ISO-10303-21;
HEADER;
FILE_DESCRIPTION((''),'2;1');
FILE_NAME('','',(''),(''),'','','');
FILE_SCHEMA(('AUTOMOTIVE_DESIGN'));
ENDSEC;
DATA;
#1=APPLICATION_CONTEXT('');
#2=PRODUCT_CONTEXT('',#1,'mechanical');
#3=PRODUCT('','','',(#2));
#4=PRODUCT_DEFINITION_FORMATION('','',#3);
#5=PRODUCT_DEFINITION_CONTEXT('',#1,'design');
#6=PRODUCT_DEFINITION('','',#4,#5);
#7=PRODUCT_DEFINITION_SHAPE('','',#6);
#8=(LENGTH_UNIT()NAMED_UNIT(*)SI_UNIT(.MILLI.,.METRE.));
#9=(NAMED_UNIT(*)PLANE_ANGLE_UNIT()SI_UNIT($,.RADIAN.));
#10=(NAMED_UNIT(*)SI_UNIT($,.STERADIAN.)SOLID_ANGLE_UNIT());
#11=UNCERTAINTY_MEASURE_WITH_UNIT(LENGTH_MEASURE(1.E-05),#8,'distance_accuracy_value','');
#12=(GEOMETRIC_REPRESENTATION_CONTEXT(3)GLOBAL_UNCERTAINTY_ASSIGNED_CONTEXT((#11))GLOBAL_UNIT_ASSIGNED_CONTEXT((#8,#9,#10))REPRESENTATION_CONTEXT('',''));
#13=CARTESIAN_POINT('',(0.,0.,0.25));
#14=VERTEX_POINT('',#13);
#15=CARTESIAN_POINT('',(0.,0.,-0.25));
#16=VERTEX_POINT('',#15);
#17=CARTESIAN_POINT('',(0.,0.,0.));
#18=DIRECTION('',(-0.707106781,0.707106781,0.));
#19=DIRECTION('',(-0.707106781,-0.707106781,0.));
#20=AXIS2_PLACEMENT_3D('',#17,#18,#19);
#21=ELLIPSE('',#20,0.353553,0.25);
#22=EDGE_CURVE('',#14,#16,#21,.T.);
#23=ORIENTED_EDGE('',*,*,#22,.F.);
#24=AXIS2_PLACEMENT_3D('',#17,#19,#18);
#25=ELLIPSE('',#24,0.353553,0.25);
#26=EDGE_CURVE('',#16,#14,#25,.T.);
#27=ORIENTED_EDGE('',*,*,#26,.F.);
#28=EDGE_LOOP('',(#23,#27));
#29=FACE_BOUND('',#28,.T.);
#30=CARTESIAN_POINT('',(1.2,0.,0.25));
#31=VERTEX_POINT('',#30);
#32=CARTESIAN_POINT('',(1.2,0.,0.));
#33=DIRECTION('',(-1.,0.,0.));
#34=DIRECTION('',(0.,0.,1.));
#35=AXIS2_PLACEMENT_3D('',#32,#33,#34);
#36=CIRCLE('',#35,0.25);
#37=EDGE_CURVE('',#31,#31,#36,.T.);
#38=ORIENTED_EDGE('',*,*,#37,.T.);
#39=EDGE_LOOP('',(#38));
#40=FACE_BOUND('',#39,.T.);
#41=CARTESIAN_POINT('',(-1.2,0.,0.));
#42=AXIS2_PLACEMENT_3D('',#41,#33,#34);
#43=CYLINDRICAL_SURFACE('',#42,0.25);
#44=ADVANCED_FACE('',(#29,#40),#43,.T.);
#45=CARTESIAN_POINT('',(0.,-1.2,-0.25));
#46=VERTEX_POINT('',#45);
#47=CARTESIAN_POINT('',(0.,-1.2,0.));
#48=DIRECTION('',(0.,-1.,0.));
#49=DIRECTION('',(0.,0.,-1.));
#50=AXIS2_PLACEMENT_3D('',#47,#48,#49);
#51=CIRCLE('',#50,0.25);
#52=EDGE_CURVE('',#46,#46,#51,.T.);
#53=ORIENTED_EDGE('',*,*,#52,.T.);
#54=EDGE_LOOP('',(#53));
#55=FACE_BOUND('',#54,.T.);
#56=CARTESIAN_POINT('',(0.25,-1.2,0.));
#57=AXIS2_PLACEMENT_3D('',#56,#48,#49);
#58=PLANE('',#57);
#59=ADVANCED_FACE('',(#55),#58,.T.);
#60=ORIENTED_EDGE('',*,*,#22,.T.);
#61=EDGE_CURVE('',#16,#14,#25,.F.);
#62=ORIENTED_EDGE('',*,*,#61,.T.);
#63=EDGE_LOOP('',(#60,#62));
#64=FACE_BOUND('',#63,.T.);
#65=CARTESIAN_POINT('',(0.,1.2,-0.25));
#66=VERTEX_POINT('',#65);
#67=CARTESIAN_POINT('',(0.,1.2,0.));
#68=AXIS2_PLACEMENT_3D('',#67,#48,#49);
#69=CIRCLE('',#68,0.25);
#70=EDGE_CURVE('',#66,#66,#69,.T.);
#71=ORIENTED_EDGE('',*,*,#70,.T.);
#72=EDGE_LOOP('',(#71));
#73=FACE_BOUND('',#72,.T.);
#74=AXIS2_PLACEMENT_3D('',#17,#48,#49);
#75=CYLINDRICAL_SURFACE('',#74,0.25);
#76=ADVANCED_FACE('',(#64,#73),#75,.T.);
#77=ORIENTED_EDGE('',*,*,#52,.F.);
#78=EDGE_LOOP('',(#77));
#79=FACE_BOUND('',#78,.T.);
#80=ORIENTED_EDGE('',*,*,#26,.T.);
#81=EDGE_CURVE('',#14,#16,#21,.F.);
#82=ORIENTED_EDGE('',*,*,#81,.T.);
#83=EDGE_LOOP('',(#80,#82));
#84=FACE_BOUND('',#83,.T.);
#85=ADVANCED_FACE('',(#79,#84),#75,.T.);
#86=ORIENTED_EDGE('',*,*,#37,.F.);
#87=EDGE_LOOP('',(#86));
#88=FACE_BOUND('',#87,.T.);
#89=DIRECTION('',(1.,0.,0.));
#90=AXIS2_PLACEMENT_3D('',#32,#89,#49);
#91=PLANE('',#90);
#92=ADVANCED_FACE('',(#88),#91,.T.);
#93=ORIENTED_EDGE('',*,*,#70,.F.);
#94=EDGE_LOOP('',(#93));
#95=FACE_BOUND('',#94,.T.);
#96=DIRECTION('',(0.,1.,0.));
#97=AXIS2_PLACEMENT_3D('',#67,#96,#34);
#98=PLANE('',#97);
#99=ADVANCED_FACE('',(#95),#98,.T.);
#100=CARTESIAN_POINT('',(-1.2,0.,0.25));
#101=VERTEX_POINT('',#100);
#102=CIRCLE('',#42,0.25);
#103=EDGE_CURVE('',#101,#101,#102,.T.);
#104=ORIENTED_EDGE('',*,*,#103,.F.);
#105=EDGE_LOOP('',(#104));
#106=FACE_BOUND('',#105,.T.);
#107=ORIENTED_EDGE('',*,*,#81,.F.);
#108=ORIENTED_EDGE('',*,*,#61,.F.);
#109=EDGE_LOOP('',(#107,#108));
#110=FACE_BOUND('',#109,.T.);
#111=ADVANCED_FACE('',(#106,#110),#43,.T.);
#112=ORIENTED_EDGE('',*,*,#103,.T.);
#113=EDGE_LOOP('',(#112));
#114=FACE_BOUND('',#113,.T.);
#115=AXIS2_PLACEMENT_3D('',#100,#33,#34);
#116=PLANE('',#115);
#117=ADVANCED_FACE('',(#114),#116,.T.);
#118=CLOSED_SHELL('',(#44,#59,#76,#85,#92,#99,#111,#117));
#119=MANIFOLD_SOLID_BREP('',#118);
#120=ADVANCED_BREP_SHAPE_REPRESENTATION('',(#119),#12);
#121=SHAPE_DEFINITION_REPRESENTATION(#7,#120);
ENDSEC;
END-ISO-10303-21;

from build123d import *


with BuildPart() as part:
    # 草图4 → 旋转5 (revolve)
    with BuildSketch(Plane(origin=(0, 0, 0), x_dir=(1, 0, 0), z_dir=(0, 1, 0))):
        Polygon((0, 0), (1.2, 0), (1.2, -0.25), (-1.2, -0.25), (-1.2, 0), align=None)
    revolve(axis=Axis((-1.2, 0, 0), (1, 0, 0)))

    # 草图5 → 旋转6 (revolve)
    with BuildSketch(Plane.XY):
        Polygon((0, 0), (0, 1.2), (0.25, 1.2), (0.25, -1.2), (0, -1.2), align=None)
    revolve(axis=Axis((0, 0, 0), (0, 1, 0)))


solid = part.part
